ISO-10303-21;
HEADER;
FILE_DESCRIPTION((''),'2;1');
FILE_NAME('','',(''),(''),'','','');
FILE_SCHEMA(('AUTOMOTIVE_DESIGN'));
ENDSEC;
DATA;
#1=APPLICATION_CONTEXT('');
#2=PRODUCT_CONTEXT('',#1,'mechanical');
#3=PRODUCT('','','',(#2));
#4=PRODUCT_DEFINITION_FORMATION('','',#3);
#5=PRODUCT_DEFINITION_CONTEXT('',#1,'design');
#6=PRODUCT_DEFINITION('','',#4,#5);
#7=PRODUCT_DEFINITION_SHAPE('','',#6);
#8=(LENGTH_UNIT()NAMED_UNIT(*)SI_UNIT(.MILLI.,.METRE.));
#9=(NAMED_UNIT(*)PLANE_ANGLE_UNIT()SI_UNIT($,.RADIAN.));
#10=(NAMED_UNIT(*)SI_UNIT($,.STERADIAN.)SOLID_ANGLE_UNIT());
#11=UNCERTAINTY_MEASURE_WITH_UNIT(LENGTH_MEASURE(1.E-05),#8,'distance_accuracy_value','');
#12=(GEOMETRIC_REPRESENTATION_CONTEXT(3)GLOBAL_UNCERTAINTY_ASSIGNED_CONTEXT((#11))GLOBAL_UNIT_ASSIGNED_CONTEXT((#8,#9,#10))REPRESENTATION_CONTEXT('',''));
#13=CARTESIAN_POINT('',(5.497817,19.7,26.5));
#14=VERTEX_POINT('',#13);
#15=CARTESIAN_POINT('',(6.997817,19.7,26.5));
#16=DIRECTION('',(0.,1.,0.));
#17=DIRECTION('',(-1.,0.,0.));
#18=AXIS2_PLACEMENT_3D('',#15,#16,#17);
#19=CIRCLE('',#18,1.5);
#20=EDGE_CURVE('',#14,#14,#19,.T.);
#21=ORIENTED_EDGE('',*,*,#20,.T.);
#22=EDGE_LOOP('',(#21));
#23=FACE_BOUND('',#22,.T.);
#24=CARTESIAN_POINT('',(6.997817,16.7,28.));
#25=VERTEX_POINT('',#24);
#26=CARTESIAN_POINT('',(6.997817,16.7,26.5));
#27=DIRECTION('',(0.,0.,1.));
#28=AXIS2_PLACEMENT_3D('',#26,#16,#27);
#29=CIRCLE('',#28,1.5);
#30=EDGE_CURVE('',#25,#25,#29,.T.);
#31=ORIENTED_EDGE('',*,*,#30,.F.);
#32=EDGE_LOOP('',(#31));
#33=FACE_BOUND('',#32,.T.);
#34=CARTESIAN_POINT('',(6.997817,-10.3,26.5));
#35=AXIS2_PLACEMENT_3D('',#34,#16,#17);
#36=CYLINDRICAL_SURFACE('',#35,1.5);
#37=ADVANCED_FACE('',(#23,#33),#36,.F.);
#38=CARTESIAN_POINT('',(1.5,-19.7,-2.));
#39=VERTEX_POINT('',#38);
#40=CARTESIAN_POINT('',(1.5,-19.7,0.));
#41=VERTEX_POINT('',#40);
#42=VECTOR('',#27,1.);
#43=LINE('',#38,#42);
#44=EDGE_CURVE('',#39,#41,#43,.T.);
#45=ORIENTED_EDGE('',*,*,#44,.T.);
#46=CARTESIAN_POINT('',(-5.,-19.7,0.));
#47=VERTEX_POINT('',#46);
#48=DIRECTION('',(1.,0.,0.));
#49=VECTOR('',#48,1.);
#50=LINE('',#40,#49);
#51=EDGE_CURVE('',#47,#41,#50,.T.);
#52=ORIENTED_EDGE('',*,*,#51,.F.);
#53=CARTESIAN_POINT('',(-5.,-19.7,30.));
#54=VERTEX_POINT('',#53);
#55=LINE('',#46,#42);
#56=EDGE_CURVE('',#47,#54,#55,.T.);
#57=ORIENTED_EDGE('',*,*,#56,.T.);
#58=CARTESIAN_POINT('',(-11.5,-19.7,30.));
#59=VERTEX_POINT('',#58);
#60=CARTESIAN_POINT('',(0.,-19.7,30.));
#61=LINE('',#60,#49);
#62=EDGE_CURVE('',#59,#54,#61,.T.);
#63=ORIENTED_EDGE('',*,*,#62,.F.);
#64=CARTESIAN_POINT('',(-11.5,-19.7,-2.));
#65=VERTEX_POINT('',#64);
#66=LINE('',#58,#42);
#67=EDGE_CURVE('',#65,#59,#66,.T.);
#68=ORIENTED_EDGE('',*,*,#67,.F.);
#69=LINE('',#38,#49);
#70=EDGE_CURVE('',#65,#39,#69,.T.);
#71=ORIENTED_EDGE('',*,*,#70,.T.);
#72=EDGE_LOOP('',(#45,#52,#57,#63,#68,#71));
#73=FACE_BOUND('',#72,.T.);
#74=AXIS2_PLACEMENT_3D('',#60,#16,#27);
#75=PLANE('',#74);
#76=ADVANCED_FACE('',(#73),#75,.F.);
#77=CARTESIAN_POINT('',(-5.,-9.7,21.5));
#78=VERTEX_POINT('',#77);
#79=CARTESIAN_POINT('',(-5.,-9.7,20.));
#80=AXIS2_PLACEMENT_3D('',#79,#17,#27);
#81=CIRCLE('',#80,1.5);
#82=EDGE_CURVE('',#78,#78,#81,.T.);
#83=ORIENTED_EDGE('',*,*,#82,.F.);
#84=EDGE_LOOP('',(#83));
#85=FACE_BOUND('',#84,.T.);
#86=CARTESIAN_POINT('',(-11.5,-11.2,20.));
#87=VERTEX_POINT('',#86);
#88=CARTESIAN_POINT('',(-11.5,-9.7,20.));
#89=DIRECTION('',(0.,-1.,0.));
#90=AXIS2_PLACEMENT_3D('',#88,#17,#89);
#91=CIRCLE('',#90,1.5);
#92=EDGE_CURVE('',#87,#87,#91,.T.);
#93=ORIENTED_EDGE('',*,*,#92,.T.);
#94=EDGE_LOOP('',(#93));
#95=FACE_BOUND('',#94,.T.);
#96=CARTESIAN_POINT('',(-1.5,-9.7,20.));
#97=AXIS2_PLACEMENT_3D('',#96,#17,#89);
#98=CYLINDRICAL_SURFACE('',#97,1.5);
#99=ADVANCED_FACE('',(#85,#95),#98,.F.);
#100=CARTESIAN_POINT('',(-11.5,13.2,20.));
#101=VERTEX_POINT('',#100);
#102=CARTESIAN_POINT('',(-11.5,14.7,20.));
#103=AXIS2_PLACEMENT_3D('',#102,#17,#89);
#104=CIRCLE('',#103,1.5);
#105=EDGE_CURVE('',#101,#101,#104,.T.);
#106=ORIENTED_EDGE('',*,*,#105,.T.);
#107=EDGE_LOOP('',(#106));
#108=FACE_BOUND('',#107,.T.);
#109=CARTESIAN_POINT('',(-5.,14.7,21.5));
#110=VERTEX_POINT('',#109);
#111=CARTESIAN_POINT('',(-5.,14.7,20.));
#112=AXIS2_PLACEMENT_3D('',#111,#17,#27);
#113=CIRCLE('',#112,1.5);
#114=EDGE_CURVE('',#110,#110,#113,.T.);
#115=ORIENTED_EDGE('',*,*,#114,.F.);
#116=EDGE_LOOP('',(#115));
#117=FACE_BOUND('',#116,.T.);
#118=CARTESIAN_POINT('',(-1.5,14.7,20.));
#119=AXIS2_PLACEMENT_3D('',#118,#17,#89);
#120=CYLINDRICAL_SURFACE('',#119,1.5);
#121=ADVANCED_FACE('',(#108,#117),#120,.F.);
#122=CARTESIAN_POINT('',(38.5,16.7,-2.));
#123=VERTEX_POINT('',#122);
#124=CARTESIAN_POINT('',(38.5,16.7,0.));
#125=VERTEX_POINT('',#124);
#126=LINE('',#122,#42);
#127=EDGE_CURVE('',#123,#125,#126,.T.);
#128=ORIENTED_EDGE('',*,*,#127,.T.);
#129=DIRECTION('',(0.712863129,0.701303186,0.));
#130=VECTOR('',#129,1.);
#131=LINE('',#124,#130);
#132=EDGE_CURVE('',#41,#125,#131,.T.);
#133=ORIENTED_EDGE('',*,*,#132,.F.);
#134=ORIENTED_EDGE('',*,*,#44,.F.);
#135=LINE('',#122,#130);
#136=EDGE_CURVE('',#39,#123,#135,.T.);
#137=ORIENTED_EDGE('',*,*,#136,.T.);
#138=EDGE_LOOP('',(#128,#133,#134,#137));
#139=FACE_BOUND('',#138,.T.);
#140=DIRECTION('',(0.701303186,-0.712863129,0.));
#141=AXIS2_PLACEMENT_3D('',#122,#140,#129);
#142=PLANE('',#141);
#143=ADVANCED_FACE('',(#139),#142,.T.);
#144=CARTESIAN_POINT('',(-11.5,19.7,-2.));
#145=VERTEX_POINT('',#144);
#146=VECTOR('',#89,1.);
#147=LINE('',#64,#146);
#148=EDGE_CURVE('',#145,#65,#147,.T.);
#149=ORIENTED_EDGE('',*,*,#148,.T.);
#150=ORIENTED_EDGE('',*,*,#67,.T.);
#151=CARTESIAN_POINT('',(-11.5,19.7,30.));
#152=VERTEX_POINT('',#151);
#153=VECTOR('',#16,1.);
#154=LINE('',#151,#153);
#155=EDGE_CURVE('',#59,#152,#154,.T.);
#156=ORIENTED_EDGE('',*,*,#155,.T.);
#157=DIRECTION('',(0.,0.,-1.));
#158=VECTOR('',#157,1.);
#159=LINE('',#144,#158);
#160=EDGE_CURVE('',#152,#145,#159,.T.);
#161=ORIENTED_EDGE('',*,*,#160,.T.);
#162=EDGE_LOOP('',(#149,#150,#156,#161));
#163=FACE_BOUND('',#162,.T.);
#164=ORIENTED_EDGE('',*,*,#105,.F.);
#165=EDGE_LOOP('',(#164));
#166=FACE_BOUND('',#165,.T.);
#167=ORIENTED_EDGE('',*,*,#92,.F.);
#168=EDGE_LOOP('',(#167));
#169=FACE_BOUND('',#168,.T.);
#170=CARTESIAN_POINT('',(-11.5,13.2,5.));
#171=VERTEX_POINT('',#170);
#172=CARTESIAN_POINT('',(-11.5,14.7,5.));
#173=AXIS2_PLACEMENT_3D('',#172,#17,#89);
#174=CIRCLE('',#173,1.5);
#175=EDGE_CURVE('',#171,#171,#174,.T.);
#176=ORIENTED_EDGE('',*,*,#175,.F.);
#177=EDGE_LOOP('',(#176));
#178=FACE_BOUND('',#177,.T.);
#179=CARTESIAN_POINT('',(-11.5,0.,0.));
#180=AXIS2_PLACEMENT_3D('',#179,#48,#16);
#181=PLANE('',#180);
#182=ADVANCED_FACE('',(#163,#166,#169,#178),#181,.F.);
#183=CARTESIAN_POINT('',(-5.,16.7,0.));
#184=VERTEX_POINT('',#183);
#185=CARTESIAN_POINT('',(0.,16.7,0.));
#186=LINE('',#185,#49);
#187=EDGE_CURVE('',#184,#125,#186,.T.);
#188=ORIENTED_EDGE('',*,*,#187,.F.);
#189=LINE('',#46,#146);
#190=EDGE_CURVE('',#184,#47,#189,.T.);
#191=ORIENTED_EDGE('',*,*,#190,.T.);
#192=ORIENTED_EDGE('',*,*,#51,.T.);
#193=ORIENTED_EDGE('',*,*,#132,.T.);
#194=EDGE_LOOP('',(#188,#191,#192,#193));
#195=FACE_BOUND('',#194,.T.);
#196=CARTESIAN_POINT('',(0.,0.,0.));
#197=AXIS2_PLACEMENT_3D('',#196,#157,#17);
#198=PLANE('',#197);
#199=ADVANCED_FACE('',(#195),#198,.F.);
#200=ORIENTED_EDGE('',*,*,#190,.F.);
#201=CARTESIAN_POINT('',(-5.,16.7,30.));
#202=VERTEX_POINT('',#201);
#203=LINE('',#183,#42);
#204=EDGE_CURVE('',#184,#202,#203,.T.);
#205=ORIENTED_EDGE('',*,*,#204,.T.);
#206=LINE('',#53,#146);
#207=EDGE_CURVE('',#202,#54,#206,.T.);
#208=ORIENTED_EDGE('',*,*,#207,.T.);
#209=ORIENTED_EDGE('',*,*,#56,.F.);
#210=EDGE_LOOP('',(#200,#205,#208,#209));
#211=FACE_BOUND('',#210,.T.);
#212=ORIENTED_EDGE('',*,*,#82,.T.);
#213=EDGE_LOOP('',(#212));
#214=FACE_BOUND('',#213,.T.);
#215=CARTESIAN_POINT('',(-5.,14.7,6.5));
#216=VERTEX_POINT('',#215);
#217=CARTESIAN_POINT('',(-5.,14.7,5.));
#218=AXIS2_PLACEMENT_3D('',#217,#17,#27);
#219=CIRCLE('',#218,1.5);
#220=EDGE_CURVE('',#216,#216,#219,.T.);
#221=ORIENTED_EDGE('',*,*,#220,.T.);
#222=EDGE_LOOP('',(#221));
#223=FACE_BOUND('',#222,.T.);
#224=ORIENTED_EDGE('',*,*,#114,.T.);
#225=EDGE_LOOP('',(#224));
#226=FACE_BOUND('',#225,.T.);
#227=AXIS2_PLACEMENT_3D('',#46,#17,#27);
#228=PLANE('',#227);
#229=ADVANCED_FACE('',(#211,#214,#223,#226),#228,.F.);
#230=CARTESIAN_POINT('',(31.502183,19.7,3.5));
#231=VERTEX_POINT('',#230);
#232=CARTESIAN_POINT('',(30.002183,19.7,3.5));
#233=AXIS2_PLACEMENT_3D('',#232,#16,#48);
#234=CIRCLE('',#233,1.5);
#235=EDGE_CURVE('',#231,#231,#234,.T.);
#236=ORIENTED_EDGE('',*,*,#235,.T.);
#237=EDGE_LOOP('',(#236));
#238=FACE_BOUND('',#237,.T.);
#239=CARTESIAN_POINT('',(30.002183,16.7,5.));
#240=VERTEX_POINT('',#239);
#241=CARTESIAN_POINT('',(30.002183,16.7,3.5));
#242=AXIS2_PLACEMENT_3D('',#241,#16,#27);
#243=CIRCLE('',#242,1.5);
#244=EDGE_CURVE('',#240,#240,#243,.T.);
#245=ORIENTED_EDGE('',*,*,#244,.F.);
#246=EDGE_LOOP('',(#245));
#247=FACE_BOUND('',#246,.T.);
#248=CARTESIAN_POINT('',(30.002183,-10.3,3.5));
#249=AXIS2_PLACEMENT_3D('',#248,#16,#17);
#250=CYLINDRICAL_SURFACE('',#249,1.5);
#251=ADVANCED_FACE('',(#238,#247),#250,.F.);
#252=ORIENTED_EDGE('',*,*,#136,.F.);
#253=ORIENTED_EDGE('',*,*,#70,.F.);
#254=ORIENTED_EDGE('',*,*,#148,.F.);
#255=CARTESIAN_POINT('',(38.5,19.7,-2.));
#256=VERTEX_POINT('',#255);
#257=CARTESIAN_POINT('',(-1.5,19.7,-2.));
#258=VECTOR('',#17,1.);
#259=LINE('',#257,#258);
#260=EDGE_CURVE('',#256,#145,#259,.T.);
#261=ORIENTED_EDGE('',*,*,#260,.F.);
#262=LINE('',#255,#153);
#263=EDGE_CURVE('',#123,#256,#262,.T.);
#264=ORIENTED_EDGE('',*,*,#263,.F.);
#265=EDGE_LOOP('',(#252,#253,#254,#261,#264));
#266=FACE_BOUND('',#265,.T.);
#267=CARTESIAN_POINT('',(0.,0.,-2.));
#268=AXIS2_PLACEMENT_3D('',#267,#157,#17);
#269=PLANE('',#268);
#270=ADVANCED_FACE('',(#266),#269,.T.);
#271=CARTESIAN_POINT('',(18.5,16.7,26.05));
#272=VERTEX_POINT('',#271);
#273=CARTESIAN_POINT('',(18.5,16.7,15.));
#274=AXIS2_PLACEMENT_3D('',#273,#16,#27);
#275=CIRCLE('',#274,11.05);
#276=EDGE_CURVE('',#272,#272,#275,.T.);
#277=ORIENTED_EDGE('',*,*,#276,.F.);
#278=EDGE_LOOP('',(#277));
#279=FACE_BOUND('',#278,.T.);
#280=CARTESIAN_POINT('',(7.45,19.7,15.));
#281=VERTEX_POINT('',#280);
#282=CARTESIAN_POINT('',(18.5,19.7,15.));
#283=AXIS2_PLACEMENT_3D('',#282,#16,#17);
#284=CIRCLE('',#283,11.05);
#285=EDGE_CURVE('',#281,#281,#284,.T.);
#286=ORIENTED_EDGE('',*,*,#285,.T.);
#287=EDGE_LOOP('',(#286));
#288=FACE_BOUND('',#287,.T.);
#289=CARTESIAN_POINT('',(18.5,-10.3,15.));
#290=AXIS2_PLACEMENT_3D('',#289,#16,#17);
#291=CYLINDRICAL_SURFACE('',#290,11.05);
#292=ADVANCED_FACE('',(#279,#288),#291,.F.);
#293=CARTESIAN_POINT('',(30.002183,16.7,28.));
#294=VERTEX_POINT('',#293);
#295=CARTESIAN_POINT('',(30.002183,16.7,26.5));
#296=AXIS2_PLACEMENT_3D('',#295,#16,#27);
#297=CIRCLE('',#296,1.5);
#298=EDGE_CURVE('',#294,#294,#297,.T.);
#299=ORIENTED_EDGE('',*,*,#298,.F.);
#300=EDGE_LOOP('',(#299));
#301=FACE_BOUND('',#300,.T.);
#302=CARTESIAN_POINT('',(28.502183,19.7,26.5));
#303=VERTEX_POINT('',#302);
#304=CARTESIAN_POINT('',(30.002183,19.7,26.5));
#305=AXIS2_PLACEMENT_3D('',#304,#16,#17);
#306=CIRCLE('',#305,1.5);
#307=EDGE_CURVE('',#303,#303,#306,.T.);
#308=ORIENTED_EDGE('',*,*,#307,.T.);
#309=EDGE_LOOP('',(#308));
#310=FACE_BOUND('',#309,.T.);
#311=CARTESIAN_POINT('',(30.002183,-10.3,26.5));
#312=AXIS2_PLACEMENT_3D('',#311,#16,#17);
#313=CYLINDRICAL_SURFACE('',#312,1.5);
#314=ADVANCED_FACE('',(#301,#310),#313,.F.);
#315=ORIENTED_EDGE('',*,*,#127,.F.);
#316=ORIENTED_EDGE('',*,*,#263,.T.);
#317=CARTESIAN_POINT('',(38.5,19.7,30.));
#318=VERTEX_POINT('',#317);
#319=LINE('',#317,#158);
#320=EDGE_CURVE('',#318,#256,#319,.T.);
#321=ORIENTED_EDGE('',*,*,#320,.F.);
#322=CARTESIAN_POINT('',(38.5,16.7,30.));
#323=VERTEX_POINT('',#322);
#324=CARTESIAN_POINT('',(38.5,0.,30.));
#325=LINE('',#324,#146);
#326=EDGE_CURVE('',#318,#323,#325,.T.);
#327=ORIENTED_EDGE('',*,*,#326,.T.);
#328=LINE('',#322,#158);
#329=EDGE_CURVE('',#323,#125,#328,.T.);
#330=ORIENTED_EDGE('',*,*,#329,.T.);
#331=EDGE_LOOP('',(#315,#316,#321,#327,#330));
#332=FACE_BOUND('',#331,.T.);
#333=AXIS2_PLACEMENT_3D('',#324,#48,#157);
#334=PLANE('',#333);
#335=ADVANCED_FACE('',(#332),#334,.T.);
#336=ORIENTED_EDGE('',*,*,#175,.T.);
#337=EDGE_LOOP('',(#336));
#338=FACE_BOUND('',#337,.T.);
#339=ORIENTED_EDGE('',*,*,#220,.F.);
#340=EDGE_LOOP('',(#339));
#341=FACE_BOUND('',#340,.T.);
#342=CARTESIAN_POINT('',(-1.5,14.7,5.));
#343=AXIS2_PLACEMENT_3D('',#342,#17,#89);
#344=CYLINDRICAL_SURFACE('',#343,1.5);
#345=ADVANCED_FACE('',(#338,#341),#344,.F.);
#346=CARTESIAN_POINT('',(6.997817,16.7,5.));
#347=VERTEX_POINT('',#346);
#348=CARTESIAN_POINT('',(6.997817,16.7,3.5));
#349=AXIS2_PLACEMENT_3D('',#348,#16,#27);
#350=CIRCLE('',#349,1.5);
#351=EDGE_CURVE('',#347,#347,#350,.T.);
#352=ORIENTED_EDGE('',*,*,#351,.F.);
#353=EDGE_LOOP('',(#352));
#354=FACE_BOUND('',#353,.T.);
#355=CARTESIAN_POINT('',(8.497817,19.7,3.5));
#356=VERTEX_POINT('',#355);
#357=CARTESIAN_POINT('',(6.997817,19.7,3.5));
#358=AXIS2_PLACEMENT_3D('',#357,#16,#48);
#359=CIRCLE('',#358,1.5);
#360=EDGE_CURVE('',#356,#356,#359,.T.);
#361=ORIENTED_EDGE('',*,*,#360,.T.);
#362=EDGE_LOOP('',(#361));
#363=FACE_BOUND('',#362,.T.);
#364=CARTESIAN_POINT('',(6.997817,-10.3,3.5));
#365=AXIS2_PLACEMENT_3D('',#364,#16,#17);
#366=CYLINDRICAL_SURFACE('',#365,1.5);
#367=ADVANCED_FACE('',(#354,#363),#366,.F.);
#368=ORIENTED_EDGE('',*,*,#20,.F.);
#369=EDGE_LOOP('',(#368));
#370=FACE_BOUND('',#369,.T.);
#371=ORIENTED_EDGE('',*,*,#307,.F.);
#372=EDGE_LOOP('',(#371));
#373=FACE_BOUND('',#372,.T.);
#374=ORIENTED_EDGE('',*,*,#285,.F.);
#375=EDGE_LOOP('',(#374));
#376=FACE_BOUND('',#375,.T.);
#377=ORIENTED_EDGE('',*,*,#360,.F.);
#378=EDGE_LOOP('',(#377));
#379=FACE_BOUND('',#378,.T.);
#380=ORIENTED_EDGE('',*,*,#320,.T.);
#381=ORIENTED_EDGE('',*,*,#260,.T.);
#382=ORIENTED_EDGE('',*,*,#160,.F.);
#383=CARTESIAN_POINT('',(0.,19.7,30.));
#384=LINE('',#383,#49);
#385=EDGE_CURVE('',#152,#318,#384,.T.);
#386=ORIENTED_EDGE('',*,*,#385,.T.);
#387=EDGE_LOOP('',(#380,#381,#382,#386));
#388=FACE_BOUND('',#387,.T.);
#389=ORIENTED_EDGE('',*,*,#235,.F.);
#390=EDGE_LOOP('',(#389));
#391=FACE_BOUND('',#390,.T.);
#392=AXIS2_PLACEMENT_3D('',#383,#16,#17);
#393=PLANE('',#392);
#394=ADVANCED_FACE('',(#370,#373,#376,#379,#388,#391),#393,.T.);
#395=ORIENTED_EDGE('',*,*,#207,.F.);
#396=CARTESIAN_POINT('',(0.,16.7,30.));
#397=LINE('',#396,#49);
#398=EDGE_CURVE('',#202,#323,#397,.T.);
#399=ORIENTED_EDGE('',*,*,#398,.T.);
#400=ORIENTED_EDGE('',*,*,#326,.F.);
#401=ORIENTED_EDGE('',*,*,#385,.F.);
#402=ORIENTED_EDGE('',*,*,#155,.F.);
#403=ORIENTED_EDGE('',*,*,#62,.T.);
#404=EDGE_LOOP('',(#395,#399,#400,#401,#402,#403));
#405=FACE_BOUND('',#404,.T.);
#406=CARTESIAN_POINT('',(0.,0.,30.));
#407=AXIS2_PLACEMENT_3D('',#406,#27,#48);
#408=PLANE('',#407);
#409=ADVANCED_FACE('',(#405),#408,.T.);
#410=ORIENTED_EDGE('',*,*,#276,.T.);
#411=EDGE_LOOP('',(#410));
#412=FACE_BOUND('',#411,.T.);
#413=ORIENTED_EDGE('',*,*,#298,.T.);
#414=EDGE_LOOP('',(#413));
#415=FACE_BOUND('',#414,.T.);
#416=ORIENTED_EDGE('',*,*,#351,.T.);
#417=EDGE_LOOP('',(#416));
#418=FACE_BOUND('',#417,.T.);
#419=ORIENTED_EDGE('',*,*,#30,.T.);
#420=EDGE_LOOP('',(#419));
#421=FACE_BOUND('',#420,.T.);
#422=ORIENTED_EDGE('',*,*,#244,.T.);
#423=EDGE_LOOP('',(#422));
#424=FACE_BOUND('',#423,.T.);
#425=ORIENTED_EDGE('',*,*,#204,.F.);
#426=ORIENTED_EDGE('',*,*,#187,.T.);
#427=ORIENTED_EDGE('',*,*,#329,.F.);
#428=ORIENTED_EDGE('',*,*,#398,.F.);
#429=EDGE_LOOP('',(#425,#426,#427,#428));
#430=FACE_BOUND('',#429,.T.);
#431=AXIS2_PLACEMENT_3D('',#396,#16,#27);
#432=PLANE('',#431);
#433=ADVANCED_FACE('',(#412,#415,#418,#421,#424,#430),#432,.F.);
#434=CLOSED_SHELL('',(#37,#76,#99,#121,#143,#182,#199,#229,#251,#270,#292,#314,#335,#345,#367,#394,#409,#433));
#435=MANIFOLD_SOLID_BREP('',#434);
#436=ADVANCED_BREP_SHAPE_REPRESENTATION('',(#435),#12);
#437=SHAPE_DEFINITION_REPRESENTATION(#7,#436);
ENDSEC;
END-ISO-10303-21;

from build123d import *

# Parameters (mm, degrees)
CROQUIS1_W              = 3
CROQUIS1_H              = 36.4
CROQUIS1_H_2            = 3
CROQUIS1_W_2            = 37
SALIENTE_EXTRUIR1_DEPTH = 30
CROQUIS3_R              = 11.05
CROQUIS3_R_2            = 1.5
CORTAR_EXTRUIR2_DEPTH   = 30
SALIENTE_EXTRUIR3_DEPTH = 2
CROQUIS8_W              = 32
CROQUIS8_H              = 39.4
SALIENTE_EXTRUIR4_DEPTH = 10
CROQUIS9_W              = 6.5
CROQUIS9_H              = 36.4
CORTAR_EXTRUIR4_DEPTH   = 30
CROQUIS10_R             = 1.5
CORTAR_EXTRUIR5_DEPTH   = 10


with BuildPart() as part:
    # Croquis1 → Saliente-Extruir1 (new body)
    with BuildSketch(Plane.XY):
        with Locations((0, -1.5)):
            Rectangle(CROQUIS1_W, CROQUIS1_H)
        with Locations((0, 18.2)):
            Rectangle(CROQUIS1_W, CROQUIS1_H_2)
        with Locations((20, 18.2)):
            Rectangle(CROQUIS1_W_2, CROQUIS1_H_2)
    extrude(amount=SALIENTE_EXTRUIR1_DEPTH)

    # Croquis3 → Cortar-Extruir2 (cut)
    with BuildSketch(Plane(origin=(0, 19.7, 0), x_dir=(1, 0, 0), z_dir=(0, 1, 0))):
        with Locations((18.5, -15)):
            Circle(CROQUIS3_R)
        with Locations((6.997816512, -26.5)):
            Circle(CROQUIS3_R_2)
        with Locations((30.002183488, -26.5)):
            Circle(CROQUIS3_R_2)
        with Locations((30.002183488, -3.5)):
            Circle(CROQUIS3_R_2)
        with Locations((6.997816512, -3.5)):
            Circle(CROQUIS3_R_2)
    extrude(amount=-CORTAR_EXTRUIR2_DEPTH, mode=Mode.SUBTRACT)

    # Croquis6 → Saliente-Extruir3 (add)
    with BuildSketch(Plane.XY):
        Polygon((-1.5, 19.7), (38.5, 19.7), (38.5, 16.7), (1.5, -19.7), (-1.5, -19.7), align=None)
    extrude(amount=-SALIENTE_EXTRUIR3_DEPTH)

    # Croquis8 → Saliente-Extruir4 (add)
    with BuildSketch(Plane.ZY.offset(1.5)):
        with Locations((14, 0)):
            Rectangle(CROQUIS8_W, CROQUIS8_H)
    extrude(amount=SALIENTE_EXTRUIR4_DEPTH)

    # Croquis9 → Cortar-Extruir4 (cut)
    with BuildSketch(Plane.XY.offset(30)):
        with Locations((-1.75, -1.5)):
            Rectangle(CROQUIS9_W, CROQUIS9_H)
    extrude(amount=-CORTAR_EXTRUIR4_DEPTH, mode=Mode.SUBTRACT)

    # Croquis10 → Cortar-Extruir5 (cut)
    with BuildSketch(Plane.ZY.offset(11.5)):
        with Locations((5, 14.7)):
            Circle(CROQUIS10_R)
        with Locations((20, 14.7)):
            Circle(CROQUIS10_R)
        with Locations((20, -9.7)):
            Circle(CROQUIS10_R)
    extrude(amount=-CORTAR_EXTRUIR5_DEPTH, mode=Mode.SUBTRACT)


solid = part.part
